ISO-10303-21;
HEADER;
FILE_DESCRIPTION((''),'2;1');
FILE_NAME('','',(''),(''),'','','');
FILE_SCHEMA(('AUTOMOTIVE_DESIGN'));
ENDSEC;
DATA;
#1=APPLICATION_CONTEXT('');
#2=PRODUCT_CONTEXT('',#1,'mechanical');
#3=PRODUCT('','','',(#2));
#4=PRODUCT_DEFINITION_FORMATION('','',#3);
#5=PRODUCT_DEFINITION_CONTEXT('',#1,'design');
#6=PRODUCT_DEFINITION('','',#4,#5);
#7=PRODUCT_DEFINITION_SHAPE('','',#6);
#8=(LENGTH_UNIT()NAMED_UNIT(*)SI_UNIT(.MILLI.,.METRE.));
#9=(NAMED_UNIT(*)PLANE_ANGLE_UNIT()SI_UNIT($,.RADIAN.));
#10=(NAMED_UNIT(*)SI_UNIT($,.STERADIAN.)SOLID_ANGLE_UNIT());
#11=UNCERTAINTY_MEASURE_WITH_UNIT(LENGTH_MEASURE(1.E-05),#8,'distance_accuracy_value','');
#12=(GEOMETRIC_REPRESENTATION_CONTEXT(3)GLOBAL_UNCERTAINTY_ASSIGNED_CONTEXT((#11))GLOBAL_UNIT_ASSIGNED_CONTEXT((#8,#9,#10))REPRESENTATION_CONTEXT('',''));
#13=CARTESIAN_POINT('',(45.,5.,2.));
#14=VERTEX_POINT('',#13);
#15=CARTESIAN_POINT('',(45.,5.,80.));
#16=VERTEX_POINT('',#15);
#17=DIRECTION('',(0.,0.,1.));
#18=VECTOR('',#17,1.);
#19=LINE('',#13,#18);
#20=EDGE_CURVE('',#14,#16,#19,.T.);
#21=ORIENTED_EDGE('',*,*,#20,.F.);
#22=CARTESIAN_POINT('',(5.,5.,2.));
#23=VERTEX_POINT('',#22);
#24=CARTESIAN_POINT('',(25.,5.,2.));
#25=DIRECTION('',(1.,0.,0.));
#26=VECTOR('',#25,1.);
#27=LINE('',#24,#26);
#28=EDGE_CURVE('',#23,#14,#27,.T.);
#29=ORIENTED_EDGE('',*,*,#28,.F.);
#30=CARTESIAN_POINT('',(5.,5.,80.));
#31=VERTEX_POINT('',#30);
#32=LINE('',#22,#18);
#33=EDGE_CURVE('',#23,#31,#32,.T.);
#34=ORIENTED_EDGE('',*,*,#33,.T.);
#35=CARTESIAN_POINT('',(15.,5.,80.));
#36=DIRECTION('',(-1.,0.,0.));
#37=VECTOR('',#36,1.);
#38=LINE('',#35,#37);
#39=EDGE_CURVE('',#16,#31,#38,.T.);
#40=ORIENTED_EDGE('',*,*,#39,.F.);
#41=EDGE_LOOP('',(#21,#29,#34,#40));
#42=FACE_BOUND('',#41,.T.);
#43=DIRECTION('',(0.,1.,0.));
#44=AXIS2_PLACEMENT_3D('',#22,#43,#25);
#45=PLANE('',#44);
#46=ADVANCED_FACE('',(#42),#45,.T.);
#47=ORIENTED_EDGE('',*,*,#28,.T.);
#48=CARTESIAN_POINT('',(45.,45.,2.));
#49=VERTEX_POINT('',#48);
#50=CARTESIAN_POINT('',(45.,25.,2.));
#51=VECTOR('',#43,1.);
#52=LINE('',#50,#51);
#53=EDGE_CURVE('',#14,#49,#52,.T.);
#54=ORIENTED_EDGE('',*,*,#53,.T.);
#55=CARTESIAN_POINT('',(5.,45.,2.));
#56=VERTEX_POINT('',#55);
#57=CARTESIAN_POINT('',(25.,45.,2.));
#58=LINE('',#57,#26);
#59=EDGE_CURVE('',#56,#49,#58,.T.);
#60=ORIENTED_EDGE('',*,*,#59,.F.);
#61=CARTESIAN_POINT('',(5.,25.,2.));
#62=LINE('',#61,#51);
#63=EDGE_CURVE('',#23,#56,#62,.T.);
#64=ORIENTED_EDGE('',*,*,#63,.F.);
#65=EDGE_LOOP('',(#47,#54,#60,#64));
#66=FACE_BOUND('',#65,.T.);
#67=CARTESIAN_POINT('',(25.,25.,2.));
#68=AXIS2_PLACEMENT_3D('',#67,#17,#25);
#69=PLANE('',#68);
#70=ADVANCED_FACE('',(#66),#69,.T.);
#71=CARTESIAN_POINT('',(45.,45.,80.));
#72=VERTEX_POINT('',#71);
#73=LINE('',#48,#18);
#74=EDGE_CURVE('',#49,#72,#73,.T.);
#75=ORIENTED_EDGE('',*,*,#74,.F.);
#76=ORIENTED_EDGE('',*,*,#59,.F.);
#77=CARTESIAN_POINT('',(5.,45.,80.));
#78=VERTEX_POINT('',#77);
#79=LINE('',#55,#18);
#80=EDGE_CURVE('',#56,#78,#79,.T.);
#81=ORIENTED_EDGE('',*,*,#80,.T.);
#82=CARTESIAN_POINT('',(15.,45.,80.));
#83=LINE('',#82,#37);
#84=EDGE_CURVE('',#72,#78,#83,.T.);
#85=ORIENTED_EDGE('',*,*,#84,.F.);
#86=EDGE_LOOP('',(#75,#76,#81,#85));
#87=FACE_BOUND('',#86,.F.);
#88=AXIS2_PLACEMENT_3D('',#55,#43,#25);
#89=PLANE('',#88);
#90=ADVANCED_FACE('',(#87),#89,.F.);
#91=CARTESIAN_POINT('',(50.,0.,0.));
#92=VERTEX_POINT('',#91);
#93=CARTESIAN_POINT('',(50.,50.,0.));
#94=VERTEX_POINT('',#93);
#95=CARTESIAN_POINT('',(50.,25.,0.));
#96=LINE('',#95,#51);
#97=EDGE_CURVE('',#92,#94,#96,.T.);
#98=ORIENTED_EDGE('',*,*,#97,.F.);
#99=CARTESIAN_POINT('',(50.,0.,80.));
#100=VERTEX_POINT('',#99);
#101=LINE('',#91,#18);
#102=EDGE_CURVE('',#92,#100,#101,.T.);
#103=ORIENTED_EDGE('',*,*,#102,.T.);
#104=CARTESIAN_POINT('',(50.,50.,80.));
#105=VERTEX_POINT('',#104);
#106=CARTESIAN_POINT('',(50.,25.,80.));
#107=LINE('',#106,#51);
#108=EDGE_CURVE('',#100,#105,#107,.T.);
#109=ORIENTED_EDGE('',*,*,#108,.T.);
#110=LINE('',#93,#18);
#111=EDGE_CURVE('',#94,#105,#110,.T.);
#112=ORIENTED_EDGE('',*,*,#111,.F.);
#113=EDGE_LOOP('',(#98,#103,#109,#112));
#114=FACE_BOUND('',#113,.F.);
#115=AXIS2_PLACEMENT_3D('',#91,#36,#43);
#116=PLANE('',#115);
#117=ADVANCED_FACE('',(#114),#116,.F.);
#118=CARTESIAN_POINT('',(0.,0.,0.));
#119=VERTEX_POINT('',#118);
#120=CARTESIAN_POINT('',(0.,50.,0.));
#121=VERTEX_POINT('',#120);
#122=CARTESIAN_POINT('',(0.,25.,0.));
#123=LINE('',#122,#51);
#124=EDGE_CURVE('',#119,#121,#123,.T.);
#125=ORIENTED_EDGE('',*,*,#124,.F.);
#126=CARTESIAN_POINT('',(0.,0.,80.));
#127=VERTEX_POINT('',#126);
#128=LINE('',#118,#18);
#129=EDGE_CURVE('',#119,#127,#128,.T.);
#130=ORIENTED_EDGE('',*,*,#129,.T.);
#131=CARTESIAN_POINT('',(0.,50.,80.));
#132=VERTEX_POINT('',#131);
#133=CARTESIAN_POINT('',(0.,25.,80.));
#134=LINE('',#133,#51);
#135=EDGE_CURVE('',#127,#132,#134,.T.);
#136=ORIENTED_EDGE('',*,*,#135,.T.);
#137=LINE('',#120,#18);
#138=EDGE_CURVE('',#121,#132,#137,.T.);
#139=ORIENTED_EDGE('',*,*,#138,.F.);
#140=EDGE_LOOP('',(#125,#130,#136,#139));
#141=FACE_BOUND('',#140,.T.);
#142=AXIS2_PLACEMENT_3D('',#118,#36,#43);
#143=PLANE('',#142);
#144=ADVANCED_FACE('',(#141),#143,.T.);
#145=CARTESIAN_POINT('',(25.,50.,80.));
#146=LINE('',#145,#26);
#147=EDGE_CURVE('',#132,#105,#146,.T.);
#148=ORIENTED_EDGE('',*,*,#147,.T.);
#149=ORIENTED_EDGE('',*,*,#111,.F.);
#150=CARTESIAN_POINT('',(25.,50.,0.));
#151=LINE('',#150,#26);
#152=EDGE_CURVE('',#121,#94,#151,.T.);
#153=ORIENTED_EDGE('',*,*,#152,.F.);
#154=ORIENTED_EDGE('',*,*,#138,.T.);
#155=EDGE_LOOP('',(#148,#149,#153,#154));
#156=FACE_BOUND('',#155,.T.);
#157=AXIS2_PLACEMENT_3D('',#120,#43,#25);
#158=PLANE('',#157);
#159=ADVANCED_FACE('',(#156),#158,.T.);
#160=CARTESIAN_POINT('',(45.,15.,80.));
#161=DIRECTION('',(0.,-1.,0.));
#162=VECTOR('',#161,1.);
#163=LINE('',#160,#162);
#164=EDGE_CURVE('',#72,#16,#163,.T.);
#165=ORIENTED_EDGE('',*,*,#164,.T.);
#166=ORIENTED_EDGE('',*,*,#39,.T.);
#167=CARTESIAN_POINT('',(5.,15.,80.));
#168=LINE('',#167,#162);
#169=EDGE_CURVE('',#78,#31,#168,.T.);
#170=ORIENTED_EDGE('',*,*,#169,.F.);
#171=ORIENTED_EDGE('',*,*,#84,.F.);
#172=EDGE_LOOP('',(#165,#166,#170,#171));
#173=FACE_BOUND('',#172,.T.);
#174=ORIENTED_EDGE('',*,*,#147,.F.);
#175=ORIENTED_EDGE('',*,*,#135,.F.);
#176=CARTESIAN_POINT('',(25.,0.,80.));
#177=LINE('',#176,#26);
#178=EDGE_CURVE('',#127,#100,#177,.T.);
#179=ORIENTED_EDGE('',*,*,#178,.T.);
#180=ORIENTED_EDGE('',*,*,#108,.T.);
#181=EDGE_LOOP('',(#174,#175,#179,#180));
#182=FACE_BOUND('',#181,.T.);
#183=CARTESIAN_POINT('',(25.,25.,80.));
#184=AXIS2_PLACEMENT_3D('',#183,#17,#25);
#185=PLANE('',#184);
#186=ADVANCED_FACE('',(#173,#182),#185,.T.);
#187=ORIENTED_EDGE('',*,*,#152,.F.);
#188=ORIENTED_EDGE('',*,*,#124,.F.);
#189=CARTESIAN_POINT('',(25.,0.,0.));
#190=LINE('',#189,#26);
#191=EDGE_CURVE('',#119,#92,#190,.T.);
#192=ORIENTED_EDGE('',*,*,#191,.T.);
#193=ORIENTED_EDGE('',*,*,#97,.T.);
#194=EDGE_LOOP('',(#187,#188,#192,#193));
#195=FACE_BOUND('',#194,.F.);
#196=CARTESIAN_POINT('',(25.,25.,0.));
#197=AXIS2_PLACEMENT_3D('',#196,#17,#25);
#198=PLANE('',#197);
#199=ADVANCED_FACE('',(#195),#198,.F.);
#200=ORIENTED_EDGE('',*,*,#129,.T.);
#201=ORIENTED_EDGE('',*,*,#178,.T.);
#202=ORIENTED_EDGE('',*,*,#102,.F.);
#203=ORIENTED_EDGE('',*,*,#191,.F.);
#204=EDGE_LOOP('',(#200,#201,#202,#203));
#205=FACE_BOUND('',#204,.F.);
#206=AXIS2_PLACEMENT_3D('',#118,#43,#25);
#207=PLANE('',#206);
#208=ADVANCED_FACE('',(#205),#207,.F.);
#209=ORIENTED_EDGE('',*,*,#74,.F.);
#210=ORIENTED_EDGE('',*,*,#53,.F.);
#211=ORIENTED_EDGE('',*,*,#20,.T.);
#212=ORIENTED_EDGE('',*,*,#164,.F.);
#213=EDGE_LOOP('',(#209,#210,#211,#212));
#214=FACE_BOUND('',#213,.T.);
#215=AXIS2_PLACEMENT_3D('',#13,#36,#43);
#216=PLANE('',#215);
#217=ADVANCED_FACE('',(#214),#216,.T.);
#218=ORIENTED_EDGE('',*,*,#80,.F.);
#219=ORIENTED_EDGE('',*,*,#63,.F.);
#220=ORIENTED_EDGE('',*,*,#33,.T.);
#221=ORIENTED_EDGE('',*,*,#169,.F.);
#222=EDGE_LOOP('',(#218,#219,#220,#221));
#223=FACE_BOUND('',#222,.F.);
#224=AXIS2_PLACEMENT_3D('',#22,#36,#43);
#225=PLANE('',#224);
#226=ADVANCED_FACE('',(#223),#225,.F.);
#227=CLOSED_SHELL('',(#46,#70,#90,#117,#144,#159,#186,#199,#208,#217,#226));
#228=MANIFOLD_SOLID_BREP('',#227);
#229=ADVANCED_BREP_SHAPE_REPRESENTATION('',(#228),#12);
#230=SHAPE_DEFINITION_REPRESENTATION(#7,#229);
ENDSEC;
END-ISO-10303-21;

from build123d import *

# Parameters (mm, degrees)
BOX001_W     = 40
BOX001_H     = 40
BOX001_DEPTH = 80
BOX_W        = 50
BOX_H        = 50
BOX_DEPTH    = 80


with BuildPart() as cubo_interno:
    # Box001 → Box001 (new body)
    with BuildSketch(Plane(origin=(5, 5, 2), x_dir=(1, 0, 0), z_dir=(0, 0, 1))):
        with Locations((20, 20)):
            Rectangle(BOX001_W, BOX001_H)
    extrude(amount=BOX001_DEPTH)


with BuildPart() as cut:
    # Box → Box (new body)
    with BuildSketch(Plane.XY):
        with Locations((25, 25)):
            Rectangle(BOX_W, BOX_H)
    extrude(amount=BOX_DEPTH)

    # Cut: cut Cubo_interno
    add(cubo_interno.part, mode=Mode.SUBTRACT)


solid = cut.part
